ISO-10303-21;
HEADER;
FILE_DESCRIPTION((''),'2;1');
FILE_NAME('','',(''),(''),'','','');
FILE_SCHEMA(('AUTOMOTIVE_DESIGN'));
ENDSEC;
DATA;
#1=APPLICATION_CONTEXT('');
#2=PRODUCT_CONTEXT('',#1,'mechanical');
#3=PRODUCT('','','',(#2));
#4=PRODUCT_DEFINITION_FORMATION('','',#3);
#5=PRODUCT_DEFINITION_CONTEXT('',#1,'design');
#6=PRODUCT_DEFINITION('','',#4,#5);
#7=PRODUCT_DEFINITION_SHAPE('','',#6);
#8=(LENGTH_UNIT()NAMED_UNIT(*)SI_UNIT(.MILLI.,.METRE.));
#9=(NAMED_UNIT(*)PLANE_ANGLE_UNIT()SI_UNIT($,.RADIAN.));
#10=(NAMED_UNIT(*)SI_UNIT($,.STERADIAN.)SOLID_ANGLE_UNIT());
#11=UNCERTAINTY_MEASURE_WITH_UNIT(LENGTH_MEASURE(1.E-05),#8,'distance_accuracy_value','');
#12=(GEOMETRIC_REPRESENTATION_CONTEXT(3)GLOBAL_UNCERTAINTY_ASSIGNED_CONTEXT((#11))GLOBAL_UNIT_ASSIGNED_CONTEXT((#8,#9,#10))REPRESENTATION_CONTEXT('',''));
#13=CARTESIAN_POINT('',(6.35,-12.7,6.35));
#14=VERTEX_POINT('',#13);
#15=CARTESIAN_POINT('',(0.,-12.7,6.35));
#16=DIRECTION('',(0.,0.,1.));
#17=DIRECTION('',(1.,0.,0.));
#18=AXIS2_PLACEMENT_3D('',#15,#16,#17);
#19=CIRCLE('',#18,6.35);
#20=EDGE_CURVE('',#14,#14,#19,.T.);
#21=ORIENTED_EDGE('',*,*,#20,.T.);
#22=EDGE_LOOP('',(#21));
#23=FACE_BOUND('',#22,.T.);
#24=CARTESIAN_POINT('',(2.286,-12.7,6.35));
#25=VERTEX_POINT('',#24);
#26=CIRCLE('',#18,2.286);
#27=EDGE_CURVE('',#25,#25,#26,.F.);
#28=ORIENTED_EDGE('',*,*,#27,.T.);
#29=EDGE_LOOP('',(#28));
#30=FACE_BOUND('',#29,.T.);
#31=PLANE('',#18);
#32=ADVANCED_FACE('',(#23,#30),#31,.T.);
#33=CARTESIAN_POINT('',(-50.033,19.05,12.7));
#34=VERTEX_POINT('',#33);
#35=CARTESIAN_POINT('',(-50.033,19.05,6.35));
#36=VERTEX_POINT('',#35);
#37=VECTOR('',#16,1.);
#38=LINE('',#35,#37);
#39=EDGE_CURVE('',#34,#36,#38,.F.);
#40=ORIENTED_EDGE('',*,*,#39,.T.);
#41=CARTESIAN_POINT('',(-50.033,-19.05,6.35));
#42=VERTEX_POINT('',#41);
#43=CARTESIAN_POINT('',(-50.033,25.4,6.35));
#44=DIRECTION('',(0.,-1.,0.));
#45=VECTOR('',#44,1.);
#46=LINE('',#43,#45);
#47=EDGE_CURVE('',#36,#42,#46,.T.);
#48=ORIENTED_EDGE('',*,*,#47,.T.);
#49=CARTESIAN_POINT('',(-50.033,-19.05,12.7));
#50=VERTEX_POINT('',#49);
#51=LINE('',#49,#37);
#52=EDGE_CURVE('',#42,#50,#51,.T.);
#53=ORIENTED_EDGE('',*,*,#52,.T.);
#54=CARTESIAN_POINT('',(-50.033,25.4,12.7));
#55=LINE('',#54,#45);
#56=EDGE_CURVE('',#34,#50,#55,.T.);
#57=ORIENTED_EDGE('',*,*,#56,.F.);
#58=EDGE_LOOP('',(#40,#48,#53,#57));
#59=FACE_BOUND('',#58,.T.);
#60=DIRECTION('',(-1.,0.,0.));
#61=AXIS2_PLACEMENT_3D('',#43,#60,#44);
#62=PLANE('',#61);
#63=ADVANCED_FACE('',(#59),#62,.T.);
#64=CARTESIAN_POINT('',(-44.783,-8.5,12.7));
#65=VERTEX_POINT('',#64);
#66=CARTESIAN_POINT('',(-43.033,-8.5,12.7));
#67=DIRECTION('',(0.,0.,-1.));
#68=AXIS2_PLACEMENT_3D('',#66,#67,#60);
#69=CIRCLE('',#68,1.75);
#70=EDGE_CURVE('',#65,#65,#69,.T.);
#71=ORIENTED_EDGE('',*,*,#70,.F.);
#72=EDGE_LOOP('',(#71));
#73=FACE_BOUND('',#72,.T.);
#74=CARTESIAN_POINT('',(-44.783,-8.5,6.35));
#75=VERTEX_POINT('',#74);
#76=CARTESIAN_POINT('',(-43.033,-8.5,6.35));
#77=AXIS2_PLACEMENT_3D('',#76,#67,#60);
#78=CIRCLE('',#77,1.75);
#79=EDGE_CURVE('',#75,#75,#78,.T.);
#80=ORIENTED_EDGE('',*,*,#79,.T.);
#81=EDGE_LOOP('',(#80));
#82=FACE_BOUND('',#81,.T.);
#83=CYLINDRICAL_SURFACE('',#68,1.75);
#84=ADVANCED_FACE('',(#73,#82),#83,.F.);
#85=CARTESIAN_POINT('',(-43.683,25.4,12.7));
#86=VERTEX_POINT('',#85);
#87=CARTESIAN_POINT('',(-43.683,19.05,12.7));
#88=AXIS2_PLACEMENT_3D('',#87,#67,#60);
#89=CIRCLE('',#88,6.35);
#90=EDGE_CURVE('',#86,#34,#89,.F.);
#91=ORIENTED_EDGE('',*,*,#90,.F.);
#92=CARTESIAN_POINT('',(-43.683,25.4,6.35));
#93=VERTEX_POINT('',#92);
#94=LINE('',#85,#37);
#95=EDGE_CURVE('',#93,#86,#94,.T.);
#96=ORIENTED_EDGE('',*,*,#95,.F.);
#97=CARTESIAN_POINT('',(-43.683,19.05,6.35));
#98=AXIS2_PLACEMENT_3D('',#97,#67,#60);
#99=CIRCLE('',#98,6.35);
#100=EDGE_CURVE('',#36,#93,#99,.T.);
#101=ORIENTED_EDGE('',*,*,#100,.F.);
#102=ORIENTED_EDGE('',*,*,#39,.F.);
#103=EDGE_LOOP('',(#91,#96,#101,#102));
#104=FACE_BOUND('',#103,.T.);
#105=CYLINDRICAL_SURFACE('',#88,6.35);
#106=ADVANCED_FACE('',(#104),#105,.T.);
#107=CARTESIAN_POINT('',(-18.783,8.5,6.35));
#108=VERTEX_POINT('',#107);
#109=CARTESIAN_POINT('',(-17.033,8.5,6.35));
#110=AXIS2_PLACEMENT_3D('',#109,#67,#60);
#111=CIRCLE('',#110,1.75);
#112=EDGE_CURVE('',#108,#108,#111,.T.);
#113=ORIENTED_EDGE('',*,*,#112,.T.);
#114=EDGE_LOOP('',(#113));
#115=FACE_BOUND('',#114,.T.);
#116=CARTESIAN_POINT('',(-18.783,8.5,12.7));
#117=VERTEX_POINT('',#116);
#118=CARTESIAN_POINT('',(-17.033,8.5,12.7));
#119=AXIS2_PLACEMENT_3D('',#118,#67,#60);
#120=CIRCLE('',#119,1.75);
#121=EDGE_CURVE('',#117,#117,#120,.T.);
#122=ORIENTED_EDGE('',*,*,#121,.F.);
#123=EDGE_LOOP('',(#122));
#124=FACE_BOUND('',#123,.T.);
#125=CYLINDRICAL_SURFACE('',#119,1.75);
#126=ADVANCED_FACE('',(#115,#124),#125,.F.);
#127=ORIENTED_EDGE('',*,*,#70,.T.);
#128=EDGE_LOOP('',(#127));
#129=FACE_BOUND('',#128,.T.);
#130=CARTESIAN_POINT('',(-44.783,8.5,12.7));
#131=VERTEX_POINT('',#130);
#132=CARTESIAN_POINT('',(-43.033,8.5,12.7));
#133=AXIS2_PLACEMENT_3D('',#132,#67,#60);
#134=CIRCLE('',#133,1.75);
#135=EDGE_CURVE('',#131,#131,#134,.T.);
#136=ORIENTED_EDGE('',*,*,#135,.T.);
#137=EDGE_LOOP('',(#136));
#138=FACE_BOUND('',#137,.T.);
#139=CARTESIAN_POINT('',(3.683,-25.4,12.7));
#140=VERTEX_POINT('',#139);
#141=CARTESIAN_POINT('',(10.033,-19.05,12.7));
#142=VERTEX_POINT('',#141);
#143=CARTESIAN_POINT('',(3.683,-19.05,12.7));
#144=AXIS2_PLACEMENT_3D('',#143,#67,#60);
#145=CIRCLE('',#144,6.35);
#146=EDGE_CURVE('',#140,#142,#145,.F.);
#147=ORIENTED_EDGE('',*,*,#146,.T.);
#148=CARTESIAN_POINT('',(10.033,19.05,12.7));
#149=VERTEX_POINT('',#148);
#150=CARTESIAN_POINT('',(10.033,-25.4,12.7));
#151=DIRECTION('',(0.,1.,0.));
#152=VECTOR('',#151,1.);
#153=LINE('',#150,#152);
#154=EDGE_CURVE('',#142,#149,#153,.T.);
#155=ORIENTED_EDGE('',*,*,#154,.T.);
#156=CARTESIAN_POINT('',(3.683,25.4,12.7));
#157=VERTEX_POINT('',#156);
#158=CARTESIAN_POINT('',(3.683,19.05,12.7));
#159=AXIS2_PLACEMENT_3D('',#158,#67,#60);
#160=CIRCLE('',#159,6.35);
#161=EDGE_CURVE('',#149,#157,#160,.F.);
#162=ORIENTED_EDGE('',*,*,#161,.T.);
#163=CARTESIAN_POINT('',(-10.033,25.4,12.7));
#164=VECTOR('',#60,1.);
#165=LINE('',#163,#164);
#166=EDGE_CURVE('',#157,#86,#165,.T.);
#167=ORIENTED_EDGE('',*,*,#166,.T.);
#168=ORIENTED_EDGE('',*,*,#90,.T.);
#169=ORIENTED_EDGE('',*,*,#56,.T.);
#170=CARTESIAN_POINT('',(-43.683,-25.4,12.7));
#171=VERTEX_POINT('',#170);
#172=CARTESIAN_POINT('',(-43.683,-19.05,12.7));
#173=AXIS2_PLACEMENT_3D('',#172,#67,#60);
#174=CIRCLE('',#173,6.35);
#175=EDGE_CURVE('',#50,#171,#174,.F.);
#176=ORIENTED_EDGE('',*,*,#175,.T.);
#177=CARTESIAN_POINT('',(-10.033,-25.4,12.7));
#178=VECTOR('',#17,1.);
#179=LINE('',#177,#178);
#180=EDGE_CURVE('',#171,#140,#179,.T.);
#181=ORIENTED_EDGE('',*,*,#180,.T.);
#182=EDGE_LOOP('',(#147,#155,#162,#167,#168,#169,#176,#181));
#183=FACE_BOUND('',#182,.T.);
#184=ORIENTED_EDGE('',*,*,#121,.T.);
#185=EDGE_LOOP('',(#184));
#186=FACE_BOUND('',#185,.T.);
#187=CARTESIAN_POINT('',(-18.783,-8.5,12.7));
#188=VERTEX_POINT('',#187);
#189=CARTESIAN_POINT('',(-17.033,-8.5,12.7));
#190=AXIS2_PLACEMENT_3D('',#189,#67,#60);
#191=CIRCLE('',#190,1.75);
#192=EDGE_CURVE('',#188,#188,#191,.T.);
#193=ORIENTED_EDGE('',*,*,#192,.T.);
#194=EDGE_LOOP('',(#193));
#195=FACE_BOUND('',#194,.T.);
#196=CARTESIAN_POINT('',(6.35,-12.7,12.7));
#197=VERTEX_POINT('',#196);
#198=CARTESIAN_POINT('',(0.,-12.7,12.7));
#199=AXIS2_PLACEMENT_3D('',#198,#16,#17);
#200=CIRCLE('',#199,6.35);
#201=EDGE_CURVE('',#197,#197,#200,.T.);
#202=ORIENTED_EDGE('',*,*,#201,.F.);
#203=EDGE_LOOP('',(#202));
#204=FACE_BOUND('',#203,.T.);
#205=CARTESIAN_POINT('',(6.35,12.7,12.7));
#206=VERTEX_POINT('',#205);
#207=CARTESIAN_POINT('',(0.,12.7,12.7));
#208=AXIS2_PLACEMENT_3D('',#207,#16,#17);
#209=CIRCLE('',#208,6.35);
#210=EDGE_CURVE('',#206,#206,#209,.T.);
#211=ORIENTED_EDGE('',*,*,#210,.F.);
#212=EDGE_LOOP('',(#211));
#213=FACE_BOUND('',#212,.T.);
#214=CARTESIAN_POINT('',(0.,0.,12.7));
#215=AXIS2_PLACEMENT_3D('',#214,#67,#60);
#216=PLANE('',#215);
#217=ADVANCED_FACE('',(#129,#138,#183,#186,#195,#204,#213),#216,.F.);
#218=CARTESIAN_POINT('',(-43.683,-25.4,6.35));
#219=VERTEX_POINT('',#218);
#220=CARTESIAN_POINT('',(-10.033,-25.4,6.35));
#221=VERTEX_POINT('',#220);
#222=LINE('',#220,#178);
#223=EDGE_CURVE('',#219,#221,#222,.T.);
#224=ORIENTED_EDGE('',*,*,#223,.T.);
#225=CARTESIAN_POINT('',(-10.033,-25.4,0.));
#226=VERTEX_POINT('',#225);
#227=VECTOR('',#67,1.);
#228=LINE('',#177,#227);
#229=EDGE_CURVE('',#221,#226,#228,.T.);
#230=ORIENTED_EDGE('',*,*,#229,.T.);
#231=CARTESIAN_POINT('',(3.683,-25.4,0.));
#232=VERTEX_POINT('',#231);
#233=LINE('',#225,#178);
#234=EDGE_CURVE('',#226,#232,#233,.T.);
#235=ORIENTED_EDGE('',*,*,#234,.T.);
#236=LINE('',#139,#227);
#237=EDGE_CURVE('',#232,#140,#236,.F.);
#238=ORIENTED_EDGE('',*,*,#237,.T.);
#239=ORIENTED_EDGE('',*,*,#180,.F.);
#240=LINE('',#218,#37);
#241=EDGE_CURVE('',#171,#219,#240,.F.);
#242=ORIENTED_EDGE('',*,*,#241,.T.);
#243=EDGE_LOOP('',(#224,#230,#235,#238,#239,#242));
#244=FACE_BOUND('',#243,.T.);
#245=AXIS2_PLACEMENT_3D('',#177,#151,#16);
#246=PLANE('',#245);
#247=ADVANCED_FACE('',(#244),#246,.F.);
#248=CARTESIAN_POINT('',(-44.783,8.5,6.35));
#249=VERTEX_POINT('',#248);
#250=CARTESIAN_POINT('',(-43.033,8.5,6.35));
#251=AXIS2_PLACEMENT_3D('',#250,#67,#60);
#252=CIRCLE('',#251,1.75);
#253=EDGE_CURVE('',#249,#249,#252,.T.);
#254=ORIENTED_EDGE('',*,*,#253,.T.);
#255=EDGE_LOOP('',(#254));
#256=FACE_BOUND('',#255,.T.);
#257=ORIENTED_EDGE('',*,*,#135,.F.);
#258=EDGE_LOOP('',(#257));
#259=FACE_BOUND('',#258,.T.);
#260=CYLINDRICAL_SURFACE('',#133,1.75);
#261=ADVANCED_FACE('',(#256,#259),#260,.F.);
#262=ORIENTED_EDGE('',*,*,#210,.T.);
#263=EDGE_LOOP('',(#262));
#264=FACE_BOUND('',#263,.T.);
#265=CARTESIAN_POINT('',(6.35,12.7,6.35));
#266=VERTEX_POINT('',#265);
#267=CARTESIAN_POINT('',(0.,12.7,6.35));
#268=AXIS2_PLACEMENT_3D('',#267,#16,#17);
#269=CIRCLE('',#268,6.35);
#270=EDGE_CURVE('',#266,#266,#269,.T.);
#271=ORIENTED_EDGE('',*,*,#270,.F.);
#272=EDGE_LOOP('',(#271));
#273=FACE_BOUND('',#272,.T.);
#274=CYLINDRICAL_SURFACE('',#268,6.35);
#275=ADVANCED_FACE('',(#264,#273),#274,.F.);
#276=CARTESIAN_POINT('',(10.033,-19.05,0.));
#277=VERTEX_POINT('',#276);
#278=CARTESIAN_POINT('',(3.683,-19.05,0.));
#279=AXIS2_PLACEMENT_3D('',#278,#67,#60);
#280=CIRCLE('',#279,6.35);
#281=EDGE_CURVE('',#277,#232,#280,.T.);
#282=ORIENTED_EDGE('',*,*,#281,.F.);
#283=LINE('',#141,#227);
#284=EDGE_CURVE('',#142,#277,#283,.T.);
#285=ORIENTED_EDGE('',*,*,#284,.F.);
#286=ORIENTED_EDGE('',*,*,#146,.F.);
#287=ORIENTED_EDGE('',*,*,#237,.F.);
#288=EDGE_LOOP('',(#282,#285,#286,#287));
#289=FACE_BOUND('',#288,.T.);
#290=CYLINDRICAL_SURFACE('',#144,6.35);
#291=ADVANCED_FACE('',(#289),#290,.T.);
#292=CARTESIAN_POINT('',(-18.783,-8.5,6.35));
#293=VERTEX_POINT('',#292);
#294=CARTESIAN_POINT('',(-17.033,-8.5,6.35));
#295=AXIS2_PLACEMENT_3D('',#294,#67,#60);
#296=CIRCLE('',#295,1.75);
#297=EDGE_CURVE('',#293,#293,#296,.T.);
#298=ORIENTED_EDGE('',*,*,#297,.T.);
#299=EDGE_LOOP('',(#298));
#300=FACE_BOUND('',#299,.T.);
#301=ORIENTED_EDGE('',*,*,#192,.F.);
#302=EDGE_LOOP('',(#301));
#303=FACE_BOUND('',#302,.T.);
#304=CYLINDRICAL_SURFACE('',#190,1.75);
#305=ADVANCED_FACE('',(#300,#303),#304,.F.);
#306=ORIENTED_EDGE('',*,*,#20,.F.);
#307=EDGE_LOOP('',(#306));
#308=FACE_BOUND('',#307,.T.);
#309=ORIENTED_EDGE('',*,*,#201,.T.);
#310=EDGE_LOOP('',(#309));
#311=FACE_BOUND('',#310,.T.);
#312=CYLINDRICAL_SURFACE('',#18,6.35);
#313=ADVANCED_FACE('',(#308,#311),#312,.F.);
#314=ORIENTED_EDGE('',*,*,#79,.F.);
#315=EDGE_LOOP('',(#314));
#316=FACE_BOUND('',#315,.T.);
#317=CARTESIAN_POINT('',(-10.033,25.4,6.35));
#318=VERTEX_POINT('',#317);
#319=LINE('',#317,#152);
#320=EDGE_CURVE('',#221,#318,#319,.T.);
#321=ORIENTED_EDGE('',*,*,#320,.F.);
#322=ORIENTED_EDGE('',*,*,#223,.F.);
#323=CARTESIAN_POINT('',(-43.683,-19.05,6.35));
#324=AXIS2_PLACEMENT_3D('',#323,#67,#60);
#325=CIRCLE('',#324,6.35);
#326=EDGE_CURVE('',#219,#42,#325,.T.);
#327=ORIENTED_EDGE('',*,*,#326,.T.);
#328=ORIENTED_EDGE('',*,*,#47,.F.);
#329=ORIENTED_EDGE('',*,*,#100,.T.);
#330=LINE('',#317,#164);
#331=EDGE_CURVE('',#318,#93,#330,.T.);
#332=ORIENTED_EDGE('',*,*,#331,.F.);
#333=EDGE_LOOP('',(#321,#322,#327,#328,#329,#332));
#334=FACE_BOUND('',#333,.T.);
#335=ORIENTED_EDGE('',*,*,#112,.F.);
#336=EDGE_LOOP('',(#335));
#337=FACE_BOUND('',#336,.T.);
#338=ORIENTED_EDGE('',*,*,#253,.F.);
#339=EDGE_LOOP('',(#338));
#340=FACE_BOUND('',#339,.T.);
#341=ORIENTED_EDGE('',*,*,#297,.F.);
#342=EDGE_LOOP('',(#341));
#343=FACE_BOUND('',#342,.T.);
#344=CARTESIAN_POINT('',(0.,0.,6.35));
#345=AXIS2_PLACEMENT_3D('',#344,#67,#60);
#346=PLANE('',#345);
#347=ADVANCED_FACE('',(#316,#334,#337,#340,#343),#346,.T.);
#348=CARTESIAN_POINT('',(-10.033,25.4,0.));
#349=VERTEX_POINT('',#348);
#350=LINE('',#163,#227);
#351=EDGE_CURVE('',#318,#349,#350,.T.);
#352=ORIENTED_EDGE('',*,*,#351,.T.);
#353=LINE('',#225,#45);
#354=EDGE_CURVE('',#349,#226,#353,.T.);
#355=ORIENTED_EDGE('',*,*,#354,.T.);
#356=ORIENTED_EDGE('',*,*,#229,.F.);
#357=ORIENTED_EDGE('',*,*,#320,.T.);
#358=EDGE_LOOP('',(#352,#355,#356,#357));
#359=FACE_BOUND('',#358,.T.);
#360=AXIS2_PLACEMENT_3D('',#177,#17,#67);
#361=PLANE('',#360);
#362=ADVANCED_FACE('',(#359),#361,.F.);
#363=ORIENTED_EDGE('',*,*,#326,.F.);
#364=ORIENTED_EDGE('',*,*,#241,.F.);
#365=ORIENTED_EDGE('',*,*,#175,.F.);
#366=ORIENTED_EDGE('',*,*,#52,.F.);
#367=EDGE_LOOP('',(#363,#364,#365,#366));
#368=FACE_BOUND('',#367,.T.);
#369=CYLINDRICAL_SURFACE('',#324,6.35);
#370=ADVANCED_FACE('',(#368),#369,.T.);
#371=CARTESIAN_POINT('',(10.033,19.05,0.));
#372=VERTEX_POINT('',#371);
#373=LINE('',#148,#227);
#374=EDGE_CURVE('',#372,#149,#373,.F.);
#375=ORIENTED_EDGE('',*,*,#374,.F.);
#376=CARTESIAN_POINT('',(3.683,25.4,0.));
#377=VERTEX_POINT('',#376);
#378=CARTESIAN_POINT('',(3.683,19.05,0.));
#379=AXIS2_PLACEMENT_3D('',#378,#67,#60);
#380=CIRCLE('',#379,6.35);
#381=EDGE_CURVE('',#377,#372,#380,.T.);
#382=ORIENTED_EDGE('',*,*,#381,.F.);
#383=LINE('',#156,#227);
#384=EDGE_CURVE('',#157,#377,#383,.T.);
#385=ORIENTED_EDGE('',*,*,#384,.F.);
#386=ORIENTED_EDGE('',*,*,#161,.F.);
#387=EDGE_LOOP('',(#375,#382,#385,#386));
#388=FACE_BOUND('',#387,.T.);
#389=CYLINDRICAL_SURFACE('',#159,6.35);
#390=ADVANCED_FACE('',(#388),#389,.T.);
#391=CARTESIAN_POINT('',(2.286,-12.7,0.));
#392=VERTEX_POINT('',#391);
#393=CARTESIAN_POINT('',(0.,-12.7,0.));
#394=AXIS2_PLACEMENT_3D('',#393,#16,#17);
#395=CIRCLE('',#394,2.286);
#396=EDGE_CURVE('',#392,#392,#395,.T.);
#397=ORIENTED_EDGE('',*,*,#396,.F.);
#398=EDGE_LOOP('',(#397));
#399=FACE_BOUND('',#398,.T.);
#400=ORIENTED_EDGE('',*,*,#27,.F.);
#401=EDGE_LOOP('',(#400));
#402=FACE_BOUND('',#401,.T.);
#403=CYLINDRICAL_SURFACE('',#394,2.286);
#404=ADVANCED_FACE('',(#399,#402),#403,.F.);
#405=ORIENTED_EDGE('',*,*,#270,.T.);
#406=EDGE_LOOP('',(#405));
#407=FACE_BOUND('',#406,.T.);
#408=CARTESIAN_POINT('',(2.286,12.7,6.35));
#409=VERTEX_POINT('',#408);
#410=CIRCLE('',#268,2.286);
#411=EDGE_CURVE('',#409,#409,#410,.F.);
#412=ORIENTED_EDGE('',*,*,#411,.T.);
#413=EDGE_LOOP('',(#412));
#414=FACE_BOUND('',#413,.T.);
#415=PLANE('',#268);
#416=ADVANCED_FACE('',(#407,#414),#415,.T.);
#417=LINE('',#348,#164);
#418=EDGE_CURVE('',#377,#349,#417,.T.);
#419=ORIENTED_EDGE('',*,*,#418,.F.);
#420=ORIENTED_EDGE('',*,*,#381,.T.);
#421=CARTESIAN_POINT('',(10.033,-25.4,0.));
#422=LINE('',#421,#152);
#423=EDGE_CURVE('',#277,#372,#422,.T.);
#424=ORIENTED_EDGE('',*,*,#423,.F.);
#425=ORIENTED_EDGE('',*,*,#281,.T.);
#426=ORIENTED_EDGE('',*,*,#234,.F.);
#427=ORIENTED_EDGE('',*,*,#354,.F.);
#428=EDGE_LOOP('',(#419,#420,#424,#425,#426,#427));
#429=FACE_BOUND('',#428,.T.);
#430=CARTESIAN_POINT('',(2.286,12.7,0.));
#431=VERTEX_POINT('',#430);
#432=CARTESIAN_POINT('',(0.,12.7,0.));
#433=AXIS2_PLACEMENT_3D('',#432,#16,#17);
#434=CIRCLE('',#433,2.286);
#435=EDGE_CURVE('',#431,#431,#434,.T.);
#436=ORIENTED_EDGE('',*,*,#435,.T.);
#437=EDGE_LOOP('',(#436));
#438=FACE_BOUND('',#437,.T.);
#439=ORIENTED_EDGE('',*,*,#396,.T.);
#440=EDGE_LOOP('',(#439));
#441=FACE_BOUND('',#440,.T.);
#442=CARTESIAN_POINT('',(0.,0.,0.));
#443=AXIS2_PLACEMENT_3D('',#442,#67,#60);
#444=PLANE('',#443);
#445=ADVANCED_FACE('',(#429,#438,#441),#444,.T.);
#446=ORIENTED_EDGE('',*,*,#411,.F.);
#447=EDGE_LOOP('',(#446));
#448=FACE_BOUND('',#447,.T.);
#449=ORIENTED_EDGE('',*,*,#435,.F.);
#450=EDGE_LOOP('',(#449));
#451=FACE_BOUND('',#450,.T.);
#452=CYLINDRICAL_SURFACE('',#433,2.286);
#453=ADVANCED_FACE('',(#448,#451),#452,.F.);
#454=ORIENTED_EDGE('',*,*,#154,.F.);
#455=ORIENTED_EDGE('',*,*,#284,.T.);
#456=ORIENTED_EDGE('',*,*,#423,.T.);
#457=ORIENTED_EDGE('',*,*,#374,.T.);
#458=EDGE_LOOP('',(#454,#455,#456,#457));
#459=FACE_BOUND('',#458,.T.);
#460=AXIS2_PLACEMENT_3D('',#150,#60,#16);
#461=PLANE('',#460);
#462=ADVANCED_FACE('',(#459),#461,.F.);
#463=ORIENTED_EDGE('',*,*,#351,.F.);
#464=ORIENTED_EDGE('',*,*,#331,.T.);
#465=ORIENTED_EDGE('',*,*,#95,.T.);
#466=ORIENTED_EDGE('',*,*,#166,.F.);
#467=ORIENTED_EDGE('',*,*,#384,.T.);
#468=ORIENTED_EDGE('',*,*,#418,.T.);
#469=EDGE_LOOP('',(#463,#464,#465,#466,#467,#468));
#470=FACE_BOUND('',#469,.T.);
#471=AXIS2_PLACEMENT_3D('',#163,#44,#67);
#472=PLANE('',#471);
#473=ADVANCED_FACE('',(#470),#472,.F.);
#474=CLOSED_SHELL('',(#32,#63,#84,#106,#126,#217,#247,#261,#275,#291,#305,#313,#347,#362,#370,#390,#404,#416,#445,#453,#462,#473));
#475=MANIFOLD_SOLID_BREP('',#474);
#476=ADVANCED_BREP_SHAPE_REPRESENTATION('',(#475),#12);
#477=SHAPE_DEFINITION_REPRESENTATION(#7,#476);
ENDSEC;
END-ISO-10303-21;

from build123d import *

# Parameters (mm, degrees)
SKETCH1_W           = 20.066
SKETCH1_H           = 50.8
BOSS_EXTRUDE1_DEPTH = 12.7
SKETCH2_R           = 2.286
CUT_EXTRUDE1_DEPTH  = 13.7
SKETCH3_W           = 40
SKETCH3_H           = 50.8
BOSS_EXTRUDE2_DEPTH = 6.35
SKETCH5_R           = 1.75
CUT_EXTRUDE2_DEPTH  = 7.35
SKETCH6_R           = 6.35
CUT_EXTRUDE3_DEPTH  = 6.35
FILLET1_R           = 6.35


with BuildPart() as part:
    # Sketch1 → Boss-Extrude1 (new body)
    with BuildSketch(Plane.XY):
        Rectangle(SKETCH1_W, SKETCH1_H)
    extrude(amount=BOSS_EXTRUDE1_DEPTH)

    # Sketch2 → Cut-Extrude1 (cut, through all)
    with BuildSketch(Plane.XY.offset(12.7)):
        with Locations((0, 12.7)):
            Circle(SKETCH2_R)
        with Locations((0, -12.7)):
            Circle(SKETCH2_R)
    extrude(amount=-CUT_EXTRUDE1_DEPTH, mode=Mode.SUBTRACT)

    # Sketch3 → Boss-Extrude2 (add)
    with BuildSketch(Plane.XY.offset(12.7)):
        with Locations((-30.033, 0)):
            Rectangle(SKETCH3_W, SKETCH3_H)
    extrude(amount=-BOSS_EXTRUDE2_DEPTH)

    # Sketch5 → Cut-Extrude2 (cut, through all)
    with BuildSketch(Plane(origin=(0, 0, 6.35), x_dir=(-1, 0, 0), z_dir=(0, 0, -1))):
        with Locations((43.033, 8.5)):
            Circle(SKETCH5_R)
        with Locations((17.033, 8.5)):
            Circle(SKETCH5_R)
        with Locations((43.033, -8.5)):
            Circle(SKETCH5_R)
        with Locations((17.033, -8.5)):
            Circle(SKETCH5_R)
    extrude(amount=-CUT_EXTRUDE2_DEPTH, mode=Mode.SUBTRACT)

    # Sketch6 → Cut-Extrude3 (cut)
    with BuildSketch(Plane.XY.offset(12.7)):
        with Locations((0, 12.7)):
            Circle(SKETCH6_R)
        with Locations((0, -12.7)):
            Circle(SKETCH6_R)
    extrude(amount=-CUT_EXTRUDE3_DEPTH, mode=Mode.SUBTRACT)

    # Fillet1
    fillet1_edges = [part.edges().sort_by_distance(p)[0] for p in [
        (-50.033, -25.4, 9.525),
        (-50.033, 25.4, 9.525),
        (10.033, -25.4, 6.35),
        (10.033, 25.4, 6.35),
    ]]
    fillet(fillet1_edges, radius=FILLET1_R)


solid = part.part
